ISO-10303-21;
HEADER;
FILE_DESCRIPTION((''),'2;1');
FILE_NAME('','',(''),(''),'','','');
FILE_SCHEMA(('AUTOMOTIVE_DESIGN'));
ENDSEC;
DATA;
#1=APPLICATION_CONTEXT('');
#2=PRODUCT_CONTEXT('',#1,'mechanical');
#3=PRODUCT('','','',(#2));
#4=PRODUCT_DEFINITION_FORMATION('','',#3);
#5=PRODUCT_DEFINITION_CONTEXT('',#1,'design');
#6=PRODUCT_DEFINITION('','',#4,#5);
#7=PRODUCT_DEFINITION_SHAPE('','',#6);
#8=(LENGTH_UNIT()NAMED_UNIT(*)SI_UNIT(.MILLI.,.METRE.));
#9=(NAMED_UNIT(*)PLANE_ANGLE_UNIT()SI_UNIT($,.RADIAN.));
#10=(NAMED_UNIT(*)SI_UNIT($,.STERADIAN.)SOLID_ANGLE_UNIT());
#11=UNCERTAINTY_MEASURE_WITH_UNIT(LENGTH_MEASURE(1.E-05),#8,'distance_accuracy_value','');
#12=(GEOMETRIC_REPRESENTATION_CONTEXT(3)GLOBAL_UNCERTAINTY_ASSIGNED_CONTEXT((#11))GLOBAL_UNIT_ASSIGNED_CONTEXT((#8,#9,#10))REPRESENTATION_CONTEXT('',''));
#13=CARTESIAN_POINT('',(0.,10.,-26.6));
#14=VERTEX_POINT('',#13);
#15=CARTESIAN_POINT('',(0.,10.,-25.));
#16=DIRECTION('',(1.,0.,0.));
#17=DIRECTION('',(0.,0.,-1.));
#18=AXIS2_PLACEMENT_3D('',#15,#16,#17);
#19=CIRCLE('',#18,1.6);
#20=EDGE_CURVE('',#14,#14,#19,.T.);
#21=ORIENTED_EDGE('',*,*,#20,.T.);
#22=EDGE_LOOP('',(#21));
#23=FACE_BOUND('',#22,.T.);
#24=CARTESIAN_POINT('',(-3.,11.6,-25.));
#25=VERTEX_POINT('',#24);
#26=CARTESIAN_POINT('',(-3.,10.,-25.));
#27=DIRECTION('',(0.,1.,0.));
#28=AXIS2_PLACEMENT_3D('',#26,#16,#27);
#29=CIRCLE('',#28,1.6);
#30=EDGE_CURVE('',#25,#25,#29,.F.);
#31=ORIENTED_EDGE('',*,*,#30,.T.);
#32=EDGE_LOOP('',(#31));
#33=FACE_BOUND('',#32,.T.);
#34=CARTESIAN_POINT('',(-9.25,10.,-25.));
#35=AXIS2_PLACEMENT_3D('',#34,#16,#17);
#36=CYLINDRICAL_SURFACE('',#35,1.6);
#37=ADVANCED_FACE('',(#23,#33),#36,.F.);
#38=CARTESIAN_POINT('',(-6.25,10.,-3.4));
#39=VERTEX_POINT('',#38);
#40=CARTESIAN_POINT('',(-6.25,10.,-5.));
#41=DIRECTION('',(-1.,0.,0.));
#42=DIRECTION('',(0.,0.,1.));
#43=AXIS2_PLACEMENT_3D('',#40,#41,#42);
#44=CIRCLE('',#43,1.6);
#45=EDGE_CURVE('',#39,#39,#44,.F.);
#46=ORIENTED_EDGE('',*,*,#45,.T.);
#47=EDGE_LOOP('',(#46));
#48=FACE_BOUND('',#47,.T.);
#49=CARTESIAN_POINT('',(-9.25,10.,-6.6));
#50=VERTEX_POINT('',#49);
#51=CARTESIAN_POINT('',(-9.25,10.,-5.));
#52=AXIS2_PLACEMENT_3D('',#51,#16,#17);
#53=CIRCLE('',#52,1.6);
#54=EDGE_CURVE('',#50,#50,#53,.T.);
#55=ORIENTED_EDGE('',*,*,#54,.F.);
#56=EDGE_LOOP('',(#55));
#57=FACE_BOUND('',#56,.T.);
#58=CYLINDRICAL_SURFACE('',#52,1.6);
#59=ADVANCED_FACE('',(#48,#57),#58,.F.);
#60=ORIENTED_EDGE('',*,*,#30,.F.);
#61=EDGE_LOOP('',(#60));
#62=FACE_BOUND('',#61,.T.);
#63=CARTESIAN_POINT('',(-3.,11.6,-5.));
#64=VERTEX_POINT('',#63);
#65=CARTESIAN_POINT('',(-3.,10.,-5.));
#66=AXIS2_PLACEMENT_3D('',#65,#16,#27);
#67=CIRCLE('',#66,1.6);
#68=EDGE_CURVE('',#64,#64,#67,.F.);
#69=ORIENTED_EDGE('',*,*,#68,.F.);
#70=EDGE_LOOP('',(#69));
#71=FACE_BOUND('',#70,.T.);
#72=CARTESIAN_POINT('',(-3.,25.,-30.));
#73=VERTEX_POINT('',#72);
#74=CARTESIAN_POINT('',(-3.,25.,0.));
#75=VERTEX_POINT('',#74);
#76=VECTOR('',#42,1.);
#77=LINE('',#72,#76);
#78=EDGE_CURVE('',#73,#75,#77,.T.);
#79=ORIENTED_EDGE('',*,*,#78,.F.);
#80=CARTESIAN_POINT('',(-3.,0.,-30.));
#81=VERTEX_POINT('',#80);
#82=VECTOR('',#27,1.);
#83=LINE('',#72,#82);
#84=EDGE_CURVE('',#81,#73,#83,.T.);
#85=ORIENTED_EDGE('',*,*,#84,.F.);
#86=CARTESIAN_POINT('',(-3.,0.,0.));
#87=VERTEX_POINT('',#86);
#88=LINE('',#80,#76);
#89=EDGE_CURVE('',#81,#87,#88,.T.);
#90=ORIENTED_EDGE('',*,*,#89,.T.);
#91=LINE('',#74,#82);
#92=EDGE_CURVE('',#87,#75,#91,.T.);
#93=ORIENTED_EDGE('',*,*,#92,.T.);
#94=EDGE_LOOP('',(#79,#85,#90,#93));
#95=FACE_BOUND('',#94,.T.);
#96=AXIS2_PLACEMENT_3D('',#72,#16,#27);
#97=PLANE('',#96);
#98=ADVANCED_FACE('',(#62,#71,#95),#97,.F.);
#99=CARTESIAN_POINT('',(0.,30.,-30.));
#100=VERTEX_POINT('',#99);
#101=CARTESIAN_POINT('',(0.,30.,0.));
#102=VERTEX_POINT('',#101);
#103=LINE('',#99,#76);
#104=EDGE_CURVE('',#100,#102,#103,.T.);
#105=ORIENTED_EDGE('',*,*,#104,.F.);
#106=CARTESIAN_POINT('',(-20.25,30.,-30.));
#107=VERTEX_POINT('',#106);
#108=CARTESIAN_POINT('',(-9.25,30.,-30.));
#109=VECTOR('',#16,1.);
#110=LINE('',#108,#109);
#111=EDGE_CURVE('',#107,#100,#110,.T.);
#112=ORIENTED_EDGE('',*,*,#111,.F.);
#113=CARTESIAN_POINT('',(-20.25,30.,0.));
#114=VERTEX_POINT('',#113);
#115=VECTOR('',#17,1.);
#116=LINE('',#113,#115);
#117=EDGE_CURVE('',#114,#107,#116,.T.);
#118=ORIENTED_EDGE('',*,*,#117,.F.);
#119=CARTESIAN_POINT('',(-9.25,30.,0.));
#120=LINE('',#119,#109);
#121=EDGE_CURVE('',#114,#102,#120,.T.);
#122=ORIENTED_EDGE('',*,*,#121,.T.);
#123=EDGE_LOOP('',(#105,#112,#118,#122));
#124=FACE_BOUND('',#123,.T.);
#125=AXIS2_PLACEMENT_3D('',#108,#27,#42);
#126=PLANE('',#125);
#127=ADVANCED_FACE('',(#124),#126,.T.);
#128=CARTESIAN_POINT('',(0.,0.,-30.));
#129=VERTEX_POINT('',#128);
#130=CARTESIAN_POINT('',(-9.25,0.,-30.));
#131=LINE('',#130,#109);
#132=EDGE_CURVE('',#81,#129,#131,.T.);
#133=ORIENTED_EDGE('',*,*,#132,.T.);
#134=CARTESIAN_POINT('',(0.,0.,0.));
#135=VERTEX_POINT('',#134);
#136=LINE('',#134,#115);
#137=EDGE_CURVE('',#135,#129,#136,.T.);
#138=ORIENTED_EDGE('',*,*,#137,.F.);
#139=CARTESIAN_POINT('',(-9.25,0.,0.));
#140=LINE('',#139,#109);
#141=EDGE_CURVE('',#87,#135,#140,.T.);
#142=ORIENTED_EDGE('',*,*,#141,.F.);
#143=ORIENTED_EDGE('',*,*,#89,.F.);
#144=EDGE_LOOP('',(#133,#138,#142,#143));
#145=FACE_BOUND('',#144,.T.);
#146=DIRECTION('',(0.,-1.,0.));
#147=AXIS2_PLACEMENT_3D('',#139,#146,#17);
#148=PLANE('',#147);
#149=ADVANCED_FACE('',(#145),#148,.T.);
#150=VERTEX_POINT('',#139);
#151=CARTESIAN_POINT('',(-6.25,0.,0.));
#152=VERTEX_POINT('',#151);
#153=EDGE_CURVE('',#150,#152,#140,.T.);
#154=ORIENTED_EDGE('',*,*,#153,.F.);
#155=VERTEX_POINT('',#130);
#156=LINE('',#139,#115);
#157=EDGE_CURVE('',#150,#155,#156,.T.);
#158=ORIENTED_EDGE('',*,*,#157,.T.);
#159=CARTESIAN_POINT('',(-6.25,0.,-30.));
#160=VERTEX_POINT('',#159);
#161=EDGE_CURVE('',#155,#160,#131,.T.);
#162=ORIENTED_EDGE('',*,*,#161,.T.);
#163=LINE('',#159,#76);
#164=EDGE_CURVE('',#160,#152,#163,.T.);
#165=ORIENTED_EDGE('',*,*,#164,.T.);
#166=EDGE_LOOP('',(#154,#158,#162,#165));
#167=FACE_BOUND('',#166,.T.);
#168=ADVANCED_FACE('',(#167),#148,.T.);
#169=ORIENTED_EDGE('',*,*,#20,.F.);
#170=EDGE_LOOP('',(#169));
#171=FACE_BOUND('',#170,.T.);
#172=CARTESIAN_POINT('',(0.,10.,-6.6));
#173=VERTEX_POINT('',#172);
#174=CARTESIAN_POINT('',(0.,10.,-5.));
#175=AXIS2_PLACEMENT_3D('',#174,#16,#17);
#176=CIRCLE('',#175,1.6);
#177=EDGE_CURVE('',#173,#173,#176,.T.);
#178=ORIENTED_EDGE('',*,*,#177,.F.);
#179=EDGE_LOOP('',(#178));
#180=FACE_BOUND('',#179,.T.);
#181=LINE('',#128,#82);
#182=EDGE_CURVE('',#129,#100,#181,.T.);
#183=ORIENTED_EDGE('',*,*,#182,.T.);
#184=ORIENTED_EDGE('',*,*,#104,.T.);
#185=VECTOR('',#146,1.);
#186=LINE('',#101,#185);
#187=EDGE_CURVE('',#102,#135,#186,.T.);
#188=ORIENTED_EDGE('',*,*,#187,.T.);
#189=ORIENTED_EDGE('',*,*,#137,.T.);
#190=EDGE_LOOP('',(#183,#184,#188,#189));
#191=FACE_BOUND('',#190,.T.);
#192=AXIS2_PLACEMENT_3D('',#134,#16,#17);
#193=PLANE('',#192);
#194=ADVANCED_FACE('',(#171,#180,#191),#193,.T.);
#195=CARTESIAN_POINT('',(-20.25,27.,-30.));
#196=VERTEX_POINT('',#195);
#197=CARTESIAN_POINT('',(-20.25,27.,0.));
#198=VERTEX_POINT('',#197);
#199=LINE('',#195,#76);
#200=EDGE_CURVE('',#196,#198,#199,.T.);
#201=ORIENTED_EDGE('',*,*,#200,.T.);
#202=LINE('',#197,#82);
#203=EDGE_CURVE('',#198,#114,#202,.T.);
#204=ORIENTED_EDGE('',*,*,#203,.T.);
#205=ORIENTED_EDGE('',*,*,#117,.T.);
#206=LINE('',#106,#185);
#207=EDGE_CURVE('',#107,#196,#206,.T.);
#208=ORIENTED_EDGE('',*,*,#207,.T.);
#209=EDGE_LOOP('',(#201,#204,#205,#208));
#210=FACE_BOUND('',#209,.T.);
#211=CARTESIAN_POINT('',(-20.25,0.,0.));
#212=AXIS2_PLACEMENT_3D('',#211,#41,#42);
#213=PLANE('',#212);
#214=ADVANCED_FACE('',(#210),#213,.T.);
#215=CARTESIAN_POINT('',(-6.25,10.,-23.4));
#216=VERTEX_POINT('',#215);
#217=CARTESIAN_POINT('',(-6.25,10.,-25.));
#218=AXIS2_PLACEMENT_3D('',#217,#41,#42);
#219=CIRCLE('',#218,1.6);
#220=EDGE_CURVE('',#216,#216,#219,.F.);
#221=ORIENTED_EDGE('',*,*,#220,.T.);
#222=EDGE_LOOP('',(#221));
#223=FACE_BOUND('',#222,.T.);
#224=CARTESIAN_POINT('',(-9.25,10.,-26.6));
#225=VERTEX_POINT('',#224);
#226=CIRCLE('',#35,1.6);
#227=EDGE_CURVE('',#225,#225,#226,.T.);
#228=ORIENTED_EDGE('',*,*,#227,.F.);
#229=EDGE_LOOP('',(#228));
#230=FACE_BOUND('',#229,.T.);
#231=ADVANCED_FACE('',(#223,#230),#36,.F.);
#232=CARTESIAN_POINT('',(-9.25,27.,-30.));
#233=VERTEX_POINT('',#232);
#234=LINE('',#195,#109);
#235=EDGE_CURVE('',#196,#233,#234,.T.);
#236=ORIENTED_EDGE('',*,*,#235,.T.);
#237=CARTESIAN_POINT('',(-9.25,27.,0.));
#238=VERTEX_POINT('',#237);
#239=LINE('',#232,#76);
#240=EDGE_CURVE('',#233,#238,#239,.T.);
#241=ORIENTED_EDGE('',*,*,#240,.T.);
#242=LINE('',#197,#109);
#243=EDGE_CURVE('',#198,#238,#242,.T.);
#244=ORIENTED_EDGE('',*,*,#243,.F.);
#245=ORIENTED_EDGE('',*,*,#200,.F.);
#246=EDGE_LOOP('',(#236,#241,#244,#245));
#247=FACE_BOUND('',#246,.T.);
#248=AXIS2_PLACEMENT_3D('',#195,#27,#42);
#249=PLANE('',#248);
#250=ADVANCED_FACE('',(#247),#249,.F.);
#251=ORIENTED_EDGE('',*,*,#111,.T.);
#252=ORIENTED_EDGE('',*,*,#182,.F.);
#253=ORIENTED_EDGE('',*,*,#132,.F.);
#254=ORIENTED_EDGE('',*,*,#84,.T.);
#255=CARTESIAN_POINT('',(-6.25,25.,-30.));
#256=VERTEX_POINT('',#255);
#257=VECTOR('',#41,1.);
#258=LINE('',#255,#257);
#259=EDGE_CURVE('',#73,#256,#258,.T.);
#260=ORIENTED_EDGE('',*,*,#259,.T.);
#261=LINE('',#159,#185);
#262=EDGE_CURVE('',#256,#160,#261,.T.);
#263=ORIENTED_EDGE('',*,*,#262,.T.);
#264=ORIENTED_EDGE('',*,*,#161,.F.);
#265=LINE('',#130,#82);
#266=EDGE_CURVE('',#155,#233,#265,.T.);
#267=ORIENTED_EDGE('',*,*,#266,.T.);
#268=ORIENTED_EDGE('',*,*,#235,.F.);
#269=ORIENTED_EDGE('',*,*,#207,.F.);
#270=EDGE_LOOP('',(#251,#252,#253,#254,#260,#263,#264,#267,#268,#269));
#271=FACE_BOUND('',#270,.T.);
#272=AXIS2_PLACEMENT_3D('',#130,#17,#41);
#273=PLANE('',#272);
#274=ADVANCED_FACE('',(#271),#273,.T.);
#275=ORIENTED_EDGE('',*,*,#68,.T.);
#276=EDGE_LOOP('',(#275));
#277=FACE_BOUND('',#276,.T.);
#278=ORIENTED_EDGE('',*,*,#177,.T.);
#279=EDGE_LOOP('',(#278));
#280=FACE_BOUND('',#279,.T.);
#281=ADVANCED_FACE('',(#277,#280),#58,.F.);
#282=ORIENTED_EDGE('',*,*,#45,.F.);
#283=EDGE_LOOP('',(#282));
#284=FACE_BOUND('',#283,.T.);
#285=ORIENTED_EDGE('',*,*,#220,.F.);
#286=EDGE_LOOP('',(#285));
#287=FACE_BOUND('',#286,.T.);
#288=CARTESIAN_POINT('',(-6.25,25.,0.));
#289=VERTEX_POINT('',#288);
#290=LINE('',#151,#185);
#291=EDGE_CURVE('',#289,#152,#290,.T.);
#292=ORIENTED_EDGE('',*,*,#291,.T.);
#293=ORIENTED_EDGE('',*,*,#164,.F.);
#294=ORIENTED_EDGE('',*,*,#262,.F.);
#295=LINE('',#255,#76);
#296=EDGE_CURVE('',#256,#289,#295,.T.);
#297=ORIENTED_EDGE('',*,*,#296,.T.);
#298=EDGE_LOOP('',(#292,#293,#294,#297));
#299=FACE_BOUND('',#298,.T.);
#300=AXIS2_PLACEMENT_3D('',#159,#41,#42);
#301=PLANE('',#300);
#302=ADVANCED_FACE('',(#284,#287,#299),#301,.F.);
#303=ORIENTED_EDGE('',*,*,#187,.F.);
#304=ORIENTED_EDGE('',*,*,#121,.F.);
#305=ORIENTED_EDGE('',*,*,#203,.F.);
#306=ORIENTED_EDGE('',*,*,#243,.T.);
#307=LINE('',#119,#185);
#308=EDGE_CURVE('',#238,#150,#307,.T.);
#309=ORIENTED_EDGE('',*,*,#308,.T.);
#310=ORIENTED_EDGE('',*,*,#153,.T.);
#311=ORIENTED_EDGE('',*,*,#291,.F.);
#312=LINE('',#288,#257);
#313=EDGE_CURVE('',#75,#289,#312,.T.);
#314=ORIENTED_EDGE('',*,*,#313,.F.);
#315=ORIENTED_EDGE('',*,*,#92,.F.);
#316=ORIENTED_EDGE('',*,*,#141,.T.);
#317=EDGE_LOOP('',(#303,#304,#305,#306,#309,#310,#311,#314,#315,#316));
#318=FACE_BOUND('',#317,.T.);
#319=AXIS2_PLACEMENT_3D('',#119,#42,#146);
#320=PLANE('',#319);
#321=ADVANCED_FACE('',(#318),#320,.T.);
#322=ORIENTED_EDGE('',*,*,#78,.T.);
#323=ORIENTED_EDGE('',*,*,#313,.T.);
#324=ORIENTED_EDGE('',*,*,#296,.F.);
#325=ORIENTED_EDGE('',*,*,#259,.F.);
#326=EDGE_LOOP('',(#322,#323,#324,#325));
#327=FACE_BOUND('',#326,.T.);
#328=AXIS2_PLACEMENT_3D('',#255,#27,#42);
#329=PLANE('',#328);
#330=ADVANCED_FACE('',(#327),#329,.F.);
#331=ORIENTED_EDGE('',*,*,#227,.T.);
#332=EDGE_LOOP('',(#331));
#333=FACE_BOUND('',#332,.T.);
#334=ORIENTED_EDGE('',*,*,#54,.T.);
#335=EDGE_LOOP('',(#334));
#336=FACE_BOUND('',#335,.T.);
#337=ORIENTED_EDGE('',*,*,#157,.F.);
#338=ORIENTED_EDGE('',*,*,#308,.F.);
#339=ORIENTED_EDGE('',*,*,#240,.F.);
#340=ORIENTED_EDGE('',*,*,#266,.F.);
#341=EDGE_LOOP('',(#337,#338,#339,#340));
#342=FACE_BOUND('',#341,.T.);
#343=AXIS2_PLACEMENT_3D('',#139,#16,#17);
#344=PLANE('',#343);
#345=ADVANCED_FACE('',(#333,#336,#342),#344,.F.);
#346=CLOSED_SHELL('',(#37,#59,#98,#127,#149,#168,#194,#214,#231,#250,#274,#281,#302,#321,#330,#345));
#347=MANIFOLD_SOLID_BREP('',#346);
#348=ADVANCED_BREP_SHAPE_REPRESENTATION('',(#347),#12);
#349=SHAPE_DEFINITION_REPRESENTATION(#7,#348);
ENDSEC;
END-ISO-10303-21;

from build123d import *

# Parameters (mm, degrees)
SKETCH2_W           = 30
SKETCH2_H           = 30
SKETCH2_R           = 1.6
BOSS_EXTRUDE1_DEPTH = 9.25
SKETCH3_W           = 3.25
SKETCH3_H           = 25
CUT_EXTRUDE1_DEPTH  = 44.423064148
SKETCH5_W           = 30
SKETCH5_H           = 3
BOSS_EXTRUDE2_DEPTH = 11


with BuildPart() as part:
    # Sketch2 → Boss-Extrude1 (new body)
    with BuildSketch(Plane(origin=(0, 0, 0), x_dir=(0, 0, -1), z_dir=(1, 0, 0))):
        with Locations((15, 15)):
            Rectangle(SKETCH2_W, SKETCH2_H)
        with Locations((5, 10)):
            Circle(SKETCH2_R, mode=Mode.SUBTRACT)
        with Locations((25, 10)):
            Circle(SKETCH2_R, mode=Mode.SUBTRACT)
    extrude(amount=-BOSS_EXTRUDE1_DEPTH)

    # Sketch3 → Cut-Extrude1 (cut, through all)
    with BuildSketch(Plane.XY):
        with Locations((-4.625, 12.5)):
            Rectangle(SKETCH3_W, SKETCH3_H)
    extrude(amount=-CUT_EXTRUDE1_DEPTH, mode=Mode.SUBTRACT)

    # Sketch5 → Boss-Extrude2 (add)
    with BuildSketch(Plane.ZY.offset(9.25)):
        with Locations((-15, 28.5)):
            Rectangle(SKETCH5_W, SKETCH5_H)
    extrude(amount=BOSS_EXTRUDE2_DEPTH)


solid = part.part
